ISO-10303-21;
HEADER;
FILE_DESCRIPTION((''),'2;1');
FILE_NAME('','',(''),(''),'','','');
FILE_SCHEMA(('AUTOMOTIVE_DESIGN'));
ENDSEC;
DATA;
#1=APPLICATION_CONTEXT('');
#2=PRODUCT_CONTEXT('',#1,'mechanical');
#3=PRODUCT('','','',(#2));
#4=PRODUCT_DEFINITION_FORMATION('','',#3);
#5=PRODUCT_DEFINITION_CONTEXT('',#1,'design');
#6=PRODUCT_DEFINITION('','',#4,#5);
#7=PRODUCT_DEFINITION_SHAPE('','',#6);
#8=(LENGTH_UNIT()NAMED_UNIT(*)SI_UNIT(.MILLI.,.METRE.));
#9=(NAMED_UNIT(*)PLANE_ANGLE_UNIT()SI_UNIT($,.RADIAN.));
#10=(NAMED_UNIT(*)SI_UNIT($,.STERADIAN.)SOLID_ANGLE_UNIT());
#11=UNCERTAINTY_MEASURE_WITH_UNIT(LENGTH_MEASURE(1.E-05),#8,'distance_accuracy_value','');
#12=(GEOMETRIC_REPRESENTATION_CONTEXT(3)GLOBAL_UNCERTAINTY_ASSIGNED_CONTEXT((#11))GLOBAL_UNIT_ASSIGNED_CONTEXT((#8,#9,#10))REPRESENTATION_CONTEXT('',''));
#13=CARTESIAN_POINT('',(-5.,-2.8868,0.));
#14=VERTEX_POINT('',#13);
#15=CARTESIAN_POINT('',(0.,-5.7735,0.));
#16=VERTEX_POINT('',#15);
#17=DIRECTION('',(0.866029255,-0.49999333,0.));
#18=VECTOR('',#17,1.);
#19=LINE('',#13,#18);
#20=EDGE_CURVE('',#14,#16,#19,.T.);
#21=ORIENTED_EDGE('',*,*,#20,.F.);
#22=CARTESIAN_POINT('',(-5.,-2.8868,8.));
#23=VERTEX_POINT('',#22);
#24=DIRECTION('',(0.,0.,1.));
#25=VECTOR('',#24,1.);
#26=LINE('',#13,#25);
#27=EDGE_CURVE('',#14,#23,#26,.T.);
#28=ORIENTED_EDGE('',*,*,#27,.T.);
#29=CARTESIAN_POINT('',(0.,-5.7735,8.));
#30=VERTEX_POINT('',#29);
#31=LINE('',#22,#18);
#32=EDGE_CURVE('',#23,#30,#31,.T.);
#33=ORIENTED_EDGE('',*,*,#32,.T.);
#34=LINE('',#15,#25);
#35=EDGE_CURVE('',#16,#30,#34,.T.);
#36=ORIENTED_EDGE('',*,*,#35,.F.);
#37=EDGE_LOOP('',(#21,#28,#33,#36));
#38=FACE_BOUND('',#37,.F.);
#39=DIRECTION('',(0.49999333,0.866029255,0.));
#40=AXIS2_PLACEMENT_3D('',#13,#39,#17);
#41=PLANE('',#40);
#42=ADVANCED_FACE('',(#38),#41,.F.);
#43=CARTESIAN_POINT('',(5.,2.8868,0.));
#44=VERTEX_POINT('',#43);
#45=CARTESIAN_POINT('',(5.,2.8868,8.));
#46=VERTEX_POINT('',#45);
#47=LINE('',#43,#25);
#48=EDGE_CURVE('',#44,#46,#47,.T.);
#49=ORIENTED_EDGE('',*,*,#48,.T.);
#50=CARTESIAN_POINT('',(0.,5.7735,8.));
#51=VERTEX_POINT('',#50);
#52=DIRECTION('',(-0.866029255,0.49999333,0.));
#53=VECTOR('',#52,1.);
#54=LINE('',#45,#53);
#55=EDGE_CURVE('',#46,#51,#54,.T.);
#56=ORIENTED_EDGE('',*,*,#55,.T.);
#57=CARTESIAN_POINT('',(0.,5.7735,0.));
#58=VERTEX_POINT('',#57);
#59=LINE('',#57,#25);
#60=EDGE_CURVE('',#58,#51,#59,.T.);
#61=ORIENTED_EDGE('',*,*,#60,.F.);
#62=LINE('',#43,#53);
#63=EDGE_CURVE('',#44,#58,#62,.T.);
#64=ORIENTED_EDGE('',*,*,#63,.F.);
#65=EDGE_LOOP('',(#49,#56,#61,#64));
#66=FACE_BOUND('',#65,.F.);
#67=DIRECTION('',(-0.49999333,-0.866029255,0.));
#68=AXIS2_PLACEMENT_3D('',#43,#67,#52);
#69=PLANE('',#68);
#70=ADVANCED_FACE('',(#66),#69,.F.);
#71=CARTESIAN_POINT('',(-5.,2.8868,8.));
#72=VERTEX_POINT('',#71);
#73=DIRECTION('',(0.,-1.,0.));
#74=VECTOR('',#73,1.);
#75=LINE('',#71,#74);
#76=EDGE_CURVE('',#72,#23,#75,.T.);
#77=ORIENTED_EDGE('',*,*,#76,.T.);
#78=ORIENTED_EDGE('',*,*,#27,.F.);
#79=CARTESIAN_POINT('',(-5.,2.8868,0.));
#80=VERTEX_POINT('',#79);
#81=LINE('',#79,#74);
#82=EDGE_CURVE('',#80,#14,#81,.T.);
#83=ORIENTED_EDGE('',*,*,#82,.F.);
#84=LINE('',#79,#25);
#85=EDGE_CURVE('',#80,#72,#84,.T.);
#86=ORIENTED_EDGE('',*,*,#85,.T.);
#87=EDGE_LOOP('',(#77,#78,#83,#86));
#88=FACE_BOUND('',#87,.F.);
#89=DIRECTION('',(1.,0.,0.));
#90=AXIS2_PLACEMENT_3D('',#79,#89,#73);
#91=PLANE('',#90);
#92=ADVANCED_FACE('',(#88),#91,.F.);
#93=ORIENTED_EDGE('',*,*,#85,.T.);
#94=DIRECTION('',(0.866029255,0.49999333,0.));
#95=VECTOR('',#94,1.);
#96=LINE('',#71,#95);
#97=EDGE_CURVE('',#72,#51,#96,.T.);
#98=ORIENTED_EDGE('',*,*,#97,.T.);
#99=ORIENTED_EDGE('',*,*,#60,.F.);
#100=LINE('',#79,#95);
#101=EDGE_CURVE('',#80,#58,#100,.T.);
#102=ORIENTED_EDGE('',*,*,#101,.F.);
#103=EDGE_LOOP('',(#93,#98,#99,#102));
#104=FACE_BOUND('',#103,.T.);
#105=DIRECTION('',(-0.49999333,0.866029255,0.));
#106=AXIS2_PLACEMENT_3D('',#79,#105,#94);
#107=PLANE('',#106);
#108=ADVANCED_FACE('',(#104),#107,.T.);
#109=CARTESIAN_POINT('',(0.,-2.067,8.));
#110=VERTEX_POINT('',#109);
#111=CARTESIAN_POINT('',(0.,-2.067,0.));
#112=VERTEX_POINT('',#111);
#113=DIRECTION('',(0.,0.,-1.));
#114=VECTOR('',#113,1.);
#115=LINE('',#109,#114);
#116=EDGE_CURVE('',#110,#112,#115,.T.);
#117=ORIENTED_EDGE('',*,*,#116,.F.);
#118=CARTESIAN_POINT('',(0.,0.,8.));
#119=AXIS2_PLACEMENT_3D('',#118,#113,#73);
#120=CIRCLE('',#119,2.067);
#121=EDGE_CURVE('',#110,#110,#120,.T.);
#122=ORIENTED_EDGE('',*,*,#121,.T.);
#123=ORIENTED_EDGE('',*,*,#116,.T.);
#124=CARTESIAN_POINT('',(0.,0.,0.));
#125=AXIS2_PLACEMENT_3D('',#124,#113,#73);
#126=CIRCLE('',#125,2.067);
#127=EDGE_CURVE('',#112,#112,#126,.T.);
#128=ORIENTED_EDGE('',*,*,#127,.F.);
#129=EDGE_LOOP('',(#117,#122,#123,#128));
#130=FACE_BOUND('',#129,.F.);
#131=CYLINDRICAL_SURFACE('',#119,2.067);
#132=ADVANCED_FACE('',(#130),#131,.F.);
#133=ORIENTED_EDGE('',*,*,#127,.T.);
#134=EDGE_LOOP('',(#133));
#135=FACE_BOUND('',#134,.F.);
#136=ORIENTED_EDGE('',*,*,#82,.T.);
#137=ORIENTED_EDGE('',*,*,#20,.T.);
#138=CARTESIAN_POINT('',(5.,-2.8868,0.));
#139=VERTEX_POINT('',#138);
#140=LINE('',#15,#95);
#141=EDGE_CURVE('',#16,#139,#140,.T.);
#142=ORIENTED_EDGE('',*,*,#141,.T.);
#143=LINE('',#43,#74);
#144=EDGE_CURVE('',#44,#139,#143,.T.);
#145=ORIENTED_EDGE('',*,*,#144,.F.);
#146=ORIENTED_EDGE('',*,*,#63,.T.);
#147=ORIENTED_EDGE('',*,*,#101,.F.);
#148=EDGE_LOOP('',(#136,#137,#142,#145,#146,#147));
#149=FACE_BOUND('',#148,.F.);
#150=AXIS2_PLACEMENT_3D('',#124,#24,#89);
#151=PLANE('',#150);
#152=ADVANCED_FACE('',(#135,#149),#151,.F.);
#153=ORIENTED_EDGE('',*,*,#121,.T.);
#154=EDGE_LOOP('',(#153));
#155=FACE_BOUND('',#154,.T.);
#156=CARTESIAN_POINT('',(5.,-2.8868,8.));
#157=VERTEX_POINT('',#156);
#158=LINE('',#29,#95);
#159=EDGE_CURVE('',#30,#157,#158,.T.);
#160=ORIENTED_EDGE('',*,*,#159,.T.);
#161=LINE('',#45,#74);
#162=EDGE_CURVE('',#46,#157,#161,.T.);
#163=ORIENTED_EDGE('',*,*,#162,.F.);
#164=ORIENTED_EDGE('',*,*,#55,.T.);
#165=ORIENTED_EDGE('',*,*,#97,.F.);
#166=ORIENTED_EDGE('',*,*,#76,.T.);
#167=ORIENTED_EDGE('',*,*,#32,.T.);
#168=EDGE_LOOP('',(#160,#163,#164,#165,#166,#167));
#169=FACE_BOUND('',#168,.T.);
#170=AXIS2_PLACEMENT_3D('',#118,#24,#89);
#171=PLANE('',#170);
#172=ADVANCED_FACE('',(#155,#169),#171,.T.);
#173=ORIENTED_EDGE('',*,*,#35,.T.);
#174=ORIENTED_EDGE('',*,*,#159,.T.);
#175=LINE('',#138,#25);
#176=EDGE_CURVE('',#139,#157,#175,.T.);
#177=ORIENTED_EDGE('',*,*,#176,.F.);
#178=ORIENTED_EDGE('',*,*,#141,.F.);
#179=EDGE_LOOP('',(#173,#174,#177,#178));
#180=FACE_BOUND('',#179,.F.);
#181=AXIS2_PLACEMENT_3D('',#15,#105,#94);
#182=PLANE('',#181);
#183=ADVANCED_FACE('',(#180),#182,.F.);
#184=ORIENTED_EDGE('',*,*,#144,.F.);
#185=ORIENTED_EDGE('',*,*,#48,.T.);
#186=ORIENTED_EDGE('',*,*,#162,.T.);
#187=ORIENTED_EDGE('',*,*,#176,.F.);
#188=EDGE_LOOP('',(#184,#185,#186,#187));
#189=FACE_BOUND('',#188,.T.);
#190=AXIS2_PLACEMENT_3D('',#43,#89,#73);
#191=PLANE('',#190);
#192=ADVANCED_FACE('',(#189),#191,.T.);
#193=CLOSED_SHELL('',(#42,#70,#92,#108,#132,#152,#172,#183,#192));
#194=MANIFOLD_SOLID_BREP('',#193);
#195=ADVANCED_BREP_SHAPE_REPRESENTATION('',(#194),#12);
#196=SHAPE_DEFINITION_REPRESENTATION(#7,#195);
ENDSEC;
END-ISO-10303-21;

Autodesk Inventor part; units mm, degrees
ref_plane "YZ Plane" through (0, 0, 0) normal (1, 0, 0) x (0, 1, 0)
ref_plane "XZ Plane" through (0, 0, 0) normal (0, 1, 0) x (-1, 0, 0)
ref_plane "XY Plane" through (0, 0, 0) normal (0, 0, 1) x (1, 0, 0)
sketch "Sketch1" plane through (0, 0, 0) normal (0, 0, 1) x (1, 0, 0)
  line L0 (5, 2.8868) -> (5, -2.8868)
  line L1 (5, 2.8868) -> (0, 5.7735)
  line L2 (-5, 2.8868) -> (0, 5.7735)
  line L3 (0, -5.7735) -> (5, -2.8868)
  line L4 (-5, 2.8868) -> (-5, -2.8868)
  line L5 (-5, -2.8868) -> (0, -5.7735)
  point P0 (0, 0)
  point P1 (0, 0)
  point P2 (0, 0)
  point P3 (0, 0)
  point P4 (0, 0)
  dimension "d0" = 120
  dimension "d1" = 120
  dimension "d2" = 120
  dimension "d3" = 120
  dimension "d4" = 120
  dimension "d5" = 120
  dimension "d6" = 10
  dimension "d7" = 5
extrude "Extrusion1" add sketch "Sketch1" along normal blind 8
sketch "Sketch2" plane through (0, 0, 8) normal (0, 0, 1) x (1, 0, 0)
  point P0 (0, 0)
  point P1 (0, 0)
hole "Hole1" at (0, 0, 8) direction (0, 0, -1) diameter 4.134 end through all thread size "M5x0.8" class "6H" standard "ISO Metric profile"
properties part number "Nut-6" material "Steel, Mild"
